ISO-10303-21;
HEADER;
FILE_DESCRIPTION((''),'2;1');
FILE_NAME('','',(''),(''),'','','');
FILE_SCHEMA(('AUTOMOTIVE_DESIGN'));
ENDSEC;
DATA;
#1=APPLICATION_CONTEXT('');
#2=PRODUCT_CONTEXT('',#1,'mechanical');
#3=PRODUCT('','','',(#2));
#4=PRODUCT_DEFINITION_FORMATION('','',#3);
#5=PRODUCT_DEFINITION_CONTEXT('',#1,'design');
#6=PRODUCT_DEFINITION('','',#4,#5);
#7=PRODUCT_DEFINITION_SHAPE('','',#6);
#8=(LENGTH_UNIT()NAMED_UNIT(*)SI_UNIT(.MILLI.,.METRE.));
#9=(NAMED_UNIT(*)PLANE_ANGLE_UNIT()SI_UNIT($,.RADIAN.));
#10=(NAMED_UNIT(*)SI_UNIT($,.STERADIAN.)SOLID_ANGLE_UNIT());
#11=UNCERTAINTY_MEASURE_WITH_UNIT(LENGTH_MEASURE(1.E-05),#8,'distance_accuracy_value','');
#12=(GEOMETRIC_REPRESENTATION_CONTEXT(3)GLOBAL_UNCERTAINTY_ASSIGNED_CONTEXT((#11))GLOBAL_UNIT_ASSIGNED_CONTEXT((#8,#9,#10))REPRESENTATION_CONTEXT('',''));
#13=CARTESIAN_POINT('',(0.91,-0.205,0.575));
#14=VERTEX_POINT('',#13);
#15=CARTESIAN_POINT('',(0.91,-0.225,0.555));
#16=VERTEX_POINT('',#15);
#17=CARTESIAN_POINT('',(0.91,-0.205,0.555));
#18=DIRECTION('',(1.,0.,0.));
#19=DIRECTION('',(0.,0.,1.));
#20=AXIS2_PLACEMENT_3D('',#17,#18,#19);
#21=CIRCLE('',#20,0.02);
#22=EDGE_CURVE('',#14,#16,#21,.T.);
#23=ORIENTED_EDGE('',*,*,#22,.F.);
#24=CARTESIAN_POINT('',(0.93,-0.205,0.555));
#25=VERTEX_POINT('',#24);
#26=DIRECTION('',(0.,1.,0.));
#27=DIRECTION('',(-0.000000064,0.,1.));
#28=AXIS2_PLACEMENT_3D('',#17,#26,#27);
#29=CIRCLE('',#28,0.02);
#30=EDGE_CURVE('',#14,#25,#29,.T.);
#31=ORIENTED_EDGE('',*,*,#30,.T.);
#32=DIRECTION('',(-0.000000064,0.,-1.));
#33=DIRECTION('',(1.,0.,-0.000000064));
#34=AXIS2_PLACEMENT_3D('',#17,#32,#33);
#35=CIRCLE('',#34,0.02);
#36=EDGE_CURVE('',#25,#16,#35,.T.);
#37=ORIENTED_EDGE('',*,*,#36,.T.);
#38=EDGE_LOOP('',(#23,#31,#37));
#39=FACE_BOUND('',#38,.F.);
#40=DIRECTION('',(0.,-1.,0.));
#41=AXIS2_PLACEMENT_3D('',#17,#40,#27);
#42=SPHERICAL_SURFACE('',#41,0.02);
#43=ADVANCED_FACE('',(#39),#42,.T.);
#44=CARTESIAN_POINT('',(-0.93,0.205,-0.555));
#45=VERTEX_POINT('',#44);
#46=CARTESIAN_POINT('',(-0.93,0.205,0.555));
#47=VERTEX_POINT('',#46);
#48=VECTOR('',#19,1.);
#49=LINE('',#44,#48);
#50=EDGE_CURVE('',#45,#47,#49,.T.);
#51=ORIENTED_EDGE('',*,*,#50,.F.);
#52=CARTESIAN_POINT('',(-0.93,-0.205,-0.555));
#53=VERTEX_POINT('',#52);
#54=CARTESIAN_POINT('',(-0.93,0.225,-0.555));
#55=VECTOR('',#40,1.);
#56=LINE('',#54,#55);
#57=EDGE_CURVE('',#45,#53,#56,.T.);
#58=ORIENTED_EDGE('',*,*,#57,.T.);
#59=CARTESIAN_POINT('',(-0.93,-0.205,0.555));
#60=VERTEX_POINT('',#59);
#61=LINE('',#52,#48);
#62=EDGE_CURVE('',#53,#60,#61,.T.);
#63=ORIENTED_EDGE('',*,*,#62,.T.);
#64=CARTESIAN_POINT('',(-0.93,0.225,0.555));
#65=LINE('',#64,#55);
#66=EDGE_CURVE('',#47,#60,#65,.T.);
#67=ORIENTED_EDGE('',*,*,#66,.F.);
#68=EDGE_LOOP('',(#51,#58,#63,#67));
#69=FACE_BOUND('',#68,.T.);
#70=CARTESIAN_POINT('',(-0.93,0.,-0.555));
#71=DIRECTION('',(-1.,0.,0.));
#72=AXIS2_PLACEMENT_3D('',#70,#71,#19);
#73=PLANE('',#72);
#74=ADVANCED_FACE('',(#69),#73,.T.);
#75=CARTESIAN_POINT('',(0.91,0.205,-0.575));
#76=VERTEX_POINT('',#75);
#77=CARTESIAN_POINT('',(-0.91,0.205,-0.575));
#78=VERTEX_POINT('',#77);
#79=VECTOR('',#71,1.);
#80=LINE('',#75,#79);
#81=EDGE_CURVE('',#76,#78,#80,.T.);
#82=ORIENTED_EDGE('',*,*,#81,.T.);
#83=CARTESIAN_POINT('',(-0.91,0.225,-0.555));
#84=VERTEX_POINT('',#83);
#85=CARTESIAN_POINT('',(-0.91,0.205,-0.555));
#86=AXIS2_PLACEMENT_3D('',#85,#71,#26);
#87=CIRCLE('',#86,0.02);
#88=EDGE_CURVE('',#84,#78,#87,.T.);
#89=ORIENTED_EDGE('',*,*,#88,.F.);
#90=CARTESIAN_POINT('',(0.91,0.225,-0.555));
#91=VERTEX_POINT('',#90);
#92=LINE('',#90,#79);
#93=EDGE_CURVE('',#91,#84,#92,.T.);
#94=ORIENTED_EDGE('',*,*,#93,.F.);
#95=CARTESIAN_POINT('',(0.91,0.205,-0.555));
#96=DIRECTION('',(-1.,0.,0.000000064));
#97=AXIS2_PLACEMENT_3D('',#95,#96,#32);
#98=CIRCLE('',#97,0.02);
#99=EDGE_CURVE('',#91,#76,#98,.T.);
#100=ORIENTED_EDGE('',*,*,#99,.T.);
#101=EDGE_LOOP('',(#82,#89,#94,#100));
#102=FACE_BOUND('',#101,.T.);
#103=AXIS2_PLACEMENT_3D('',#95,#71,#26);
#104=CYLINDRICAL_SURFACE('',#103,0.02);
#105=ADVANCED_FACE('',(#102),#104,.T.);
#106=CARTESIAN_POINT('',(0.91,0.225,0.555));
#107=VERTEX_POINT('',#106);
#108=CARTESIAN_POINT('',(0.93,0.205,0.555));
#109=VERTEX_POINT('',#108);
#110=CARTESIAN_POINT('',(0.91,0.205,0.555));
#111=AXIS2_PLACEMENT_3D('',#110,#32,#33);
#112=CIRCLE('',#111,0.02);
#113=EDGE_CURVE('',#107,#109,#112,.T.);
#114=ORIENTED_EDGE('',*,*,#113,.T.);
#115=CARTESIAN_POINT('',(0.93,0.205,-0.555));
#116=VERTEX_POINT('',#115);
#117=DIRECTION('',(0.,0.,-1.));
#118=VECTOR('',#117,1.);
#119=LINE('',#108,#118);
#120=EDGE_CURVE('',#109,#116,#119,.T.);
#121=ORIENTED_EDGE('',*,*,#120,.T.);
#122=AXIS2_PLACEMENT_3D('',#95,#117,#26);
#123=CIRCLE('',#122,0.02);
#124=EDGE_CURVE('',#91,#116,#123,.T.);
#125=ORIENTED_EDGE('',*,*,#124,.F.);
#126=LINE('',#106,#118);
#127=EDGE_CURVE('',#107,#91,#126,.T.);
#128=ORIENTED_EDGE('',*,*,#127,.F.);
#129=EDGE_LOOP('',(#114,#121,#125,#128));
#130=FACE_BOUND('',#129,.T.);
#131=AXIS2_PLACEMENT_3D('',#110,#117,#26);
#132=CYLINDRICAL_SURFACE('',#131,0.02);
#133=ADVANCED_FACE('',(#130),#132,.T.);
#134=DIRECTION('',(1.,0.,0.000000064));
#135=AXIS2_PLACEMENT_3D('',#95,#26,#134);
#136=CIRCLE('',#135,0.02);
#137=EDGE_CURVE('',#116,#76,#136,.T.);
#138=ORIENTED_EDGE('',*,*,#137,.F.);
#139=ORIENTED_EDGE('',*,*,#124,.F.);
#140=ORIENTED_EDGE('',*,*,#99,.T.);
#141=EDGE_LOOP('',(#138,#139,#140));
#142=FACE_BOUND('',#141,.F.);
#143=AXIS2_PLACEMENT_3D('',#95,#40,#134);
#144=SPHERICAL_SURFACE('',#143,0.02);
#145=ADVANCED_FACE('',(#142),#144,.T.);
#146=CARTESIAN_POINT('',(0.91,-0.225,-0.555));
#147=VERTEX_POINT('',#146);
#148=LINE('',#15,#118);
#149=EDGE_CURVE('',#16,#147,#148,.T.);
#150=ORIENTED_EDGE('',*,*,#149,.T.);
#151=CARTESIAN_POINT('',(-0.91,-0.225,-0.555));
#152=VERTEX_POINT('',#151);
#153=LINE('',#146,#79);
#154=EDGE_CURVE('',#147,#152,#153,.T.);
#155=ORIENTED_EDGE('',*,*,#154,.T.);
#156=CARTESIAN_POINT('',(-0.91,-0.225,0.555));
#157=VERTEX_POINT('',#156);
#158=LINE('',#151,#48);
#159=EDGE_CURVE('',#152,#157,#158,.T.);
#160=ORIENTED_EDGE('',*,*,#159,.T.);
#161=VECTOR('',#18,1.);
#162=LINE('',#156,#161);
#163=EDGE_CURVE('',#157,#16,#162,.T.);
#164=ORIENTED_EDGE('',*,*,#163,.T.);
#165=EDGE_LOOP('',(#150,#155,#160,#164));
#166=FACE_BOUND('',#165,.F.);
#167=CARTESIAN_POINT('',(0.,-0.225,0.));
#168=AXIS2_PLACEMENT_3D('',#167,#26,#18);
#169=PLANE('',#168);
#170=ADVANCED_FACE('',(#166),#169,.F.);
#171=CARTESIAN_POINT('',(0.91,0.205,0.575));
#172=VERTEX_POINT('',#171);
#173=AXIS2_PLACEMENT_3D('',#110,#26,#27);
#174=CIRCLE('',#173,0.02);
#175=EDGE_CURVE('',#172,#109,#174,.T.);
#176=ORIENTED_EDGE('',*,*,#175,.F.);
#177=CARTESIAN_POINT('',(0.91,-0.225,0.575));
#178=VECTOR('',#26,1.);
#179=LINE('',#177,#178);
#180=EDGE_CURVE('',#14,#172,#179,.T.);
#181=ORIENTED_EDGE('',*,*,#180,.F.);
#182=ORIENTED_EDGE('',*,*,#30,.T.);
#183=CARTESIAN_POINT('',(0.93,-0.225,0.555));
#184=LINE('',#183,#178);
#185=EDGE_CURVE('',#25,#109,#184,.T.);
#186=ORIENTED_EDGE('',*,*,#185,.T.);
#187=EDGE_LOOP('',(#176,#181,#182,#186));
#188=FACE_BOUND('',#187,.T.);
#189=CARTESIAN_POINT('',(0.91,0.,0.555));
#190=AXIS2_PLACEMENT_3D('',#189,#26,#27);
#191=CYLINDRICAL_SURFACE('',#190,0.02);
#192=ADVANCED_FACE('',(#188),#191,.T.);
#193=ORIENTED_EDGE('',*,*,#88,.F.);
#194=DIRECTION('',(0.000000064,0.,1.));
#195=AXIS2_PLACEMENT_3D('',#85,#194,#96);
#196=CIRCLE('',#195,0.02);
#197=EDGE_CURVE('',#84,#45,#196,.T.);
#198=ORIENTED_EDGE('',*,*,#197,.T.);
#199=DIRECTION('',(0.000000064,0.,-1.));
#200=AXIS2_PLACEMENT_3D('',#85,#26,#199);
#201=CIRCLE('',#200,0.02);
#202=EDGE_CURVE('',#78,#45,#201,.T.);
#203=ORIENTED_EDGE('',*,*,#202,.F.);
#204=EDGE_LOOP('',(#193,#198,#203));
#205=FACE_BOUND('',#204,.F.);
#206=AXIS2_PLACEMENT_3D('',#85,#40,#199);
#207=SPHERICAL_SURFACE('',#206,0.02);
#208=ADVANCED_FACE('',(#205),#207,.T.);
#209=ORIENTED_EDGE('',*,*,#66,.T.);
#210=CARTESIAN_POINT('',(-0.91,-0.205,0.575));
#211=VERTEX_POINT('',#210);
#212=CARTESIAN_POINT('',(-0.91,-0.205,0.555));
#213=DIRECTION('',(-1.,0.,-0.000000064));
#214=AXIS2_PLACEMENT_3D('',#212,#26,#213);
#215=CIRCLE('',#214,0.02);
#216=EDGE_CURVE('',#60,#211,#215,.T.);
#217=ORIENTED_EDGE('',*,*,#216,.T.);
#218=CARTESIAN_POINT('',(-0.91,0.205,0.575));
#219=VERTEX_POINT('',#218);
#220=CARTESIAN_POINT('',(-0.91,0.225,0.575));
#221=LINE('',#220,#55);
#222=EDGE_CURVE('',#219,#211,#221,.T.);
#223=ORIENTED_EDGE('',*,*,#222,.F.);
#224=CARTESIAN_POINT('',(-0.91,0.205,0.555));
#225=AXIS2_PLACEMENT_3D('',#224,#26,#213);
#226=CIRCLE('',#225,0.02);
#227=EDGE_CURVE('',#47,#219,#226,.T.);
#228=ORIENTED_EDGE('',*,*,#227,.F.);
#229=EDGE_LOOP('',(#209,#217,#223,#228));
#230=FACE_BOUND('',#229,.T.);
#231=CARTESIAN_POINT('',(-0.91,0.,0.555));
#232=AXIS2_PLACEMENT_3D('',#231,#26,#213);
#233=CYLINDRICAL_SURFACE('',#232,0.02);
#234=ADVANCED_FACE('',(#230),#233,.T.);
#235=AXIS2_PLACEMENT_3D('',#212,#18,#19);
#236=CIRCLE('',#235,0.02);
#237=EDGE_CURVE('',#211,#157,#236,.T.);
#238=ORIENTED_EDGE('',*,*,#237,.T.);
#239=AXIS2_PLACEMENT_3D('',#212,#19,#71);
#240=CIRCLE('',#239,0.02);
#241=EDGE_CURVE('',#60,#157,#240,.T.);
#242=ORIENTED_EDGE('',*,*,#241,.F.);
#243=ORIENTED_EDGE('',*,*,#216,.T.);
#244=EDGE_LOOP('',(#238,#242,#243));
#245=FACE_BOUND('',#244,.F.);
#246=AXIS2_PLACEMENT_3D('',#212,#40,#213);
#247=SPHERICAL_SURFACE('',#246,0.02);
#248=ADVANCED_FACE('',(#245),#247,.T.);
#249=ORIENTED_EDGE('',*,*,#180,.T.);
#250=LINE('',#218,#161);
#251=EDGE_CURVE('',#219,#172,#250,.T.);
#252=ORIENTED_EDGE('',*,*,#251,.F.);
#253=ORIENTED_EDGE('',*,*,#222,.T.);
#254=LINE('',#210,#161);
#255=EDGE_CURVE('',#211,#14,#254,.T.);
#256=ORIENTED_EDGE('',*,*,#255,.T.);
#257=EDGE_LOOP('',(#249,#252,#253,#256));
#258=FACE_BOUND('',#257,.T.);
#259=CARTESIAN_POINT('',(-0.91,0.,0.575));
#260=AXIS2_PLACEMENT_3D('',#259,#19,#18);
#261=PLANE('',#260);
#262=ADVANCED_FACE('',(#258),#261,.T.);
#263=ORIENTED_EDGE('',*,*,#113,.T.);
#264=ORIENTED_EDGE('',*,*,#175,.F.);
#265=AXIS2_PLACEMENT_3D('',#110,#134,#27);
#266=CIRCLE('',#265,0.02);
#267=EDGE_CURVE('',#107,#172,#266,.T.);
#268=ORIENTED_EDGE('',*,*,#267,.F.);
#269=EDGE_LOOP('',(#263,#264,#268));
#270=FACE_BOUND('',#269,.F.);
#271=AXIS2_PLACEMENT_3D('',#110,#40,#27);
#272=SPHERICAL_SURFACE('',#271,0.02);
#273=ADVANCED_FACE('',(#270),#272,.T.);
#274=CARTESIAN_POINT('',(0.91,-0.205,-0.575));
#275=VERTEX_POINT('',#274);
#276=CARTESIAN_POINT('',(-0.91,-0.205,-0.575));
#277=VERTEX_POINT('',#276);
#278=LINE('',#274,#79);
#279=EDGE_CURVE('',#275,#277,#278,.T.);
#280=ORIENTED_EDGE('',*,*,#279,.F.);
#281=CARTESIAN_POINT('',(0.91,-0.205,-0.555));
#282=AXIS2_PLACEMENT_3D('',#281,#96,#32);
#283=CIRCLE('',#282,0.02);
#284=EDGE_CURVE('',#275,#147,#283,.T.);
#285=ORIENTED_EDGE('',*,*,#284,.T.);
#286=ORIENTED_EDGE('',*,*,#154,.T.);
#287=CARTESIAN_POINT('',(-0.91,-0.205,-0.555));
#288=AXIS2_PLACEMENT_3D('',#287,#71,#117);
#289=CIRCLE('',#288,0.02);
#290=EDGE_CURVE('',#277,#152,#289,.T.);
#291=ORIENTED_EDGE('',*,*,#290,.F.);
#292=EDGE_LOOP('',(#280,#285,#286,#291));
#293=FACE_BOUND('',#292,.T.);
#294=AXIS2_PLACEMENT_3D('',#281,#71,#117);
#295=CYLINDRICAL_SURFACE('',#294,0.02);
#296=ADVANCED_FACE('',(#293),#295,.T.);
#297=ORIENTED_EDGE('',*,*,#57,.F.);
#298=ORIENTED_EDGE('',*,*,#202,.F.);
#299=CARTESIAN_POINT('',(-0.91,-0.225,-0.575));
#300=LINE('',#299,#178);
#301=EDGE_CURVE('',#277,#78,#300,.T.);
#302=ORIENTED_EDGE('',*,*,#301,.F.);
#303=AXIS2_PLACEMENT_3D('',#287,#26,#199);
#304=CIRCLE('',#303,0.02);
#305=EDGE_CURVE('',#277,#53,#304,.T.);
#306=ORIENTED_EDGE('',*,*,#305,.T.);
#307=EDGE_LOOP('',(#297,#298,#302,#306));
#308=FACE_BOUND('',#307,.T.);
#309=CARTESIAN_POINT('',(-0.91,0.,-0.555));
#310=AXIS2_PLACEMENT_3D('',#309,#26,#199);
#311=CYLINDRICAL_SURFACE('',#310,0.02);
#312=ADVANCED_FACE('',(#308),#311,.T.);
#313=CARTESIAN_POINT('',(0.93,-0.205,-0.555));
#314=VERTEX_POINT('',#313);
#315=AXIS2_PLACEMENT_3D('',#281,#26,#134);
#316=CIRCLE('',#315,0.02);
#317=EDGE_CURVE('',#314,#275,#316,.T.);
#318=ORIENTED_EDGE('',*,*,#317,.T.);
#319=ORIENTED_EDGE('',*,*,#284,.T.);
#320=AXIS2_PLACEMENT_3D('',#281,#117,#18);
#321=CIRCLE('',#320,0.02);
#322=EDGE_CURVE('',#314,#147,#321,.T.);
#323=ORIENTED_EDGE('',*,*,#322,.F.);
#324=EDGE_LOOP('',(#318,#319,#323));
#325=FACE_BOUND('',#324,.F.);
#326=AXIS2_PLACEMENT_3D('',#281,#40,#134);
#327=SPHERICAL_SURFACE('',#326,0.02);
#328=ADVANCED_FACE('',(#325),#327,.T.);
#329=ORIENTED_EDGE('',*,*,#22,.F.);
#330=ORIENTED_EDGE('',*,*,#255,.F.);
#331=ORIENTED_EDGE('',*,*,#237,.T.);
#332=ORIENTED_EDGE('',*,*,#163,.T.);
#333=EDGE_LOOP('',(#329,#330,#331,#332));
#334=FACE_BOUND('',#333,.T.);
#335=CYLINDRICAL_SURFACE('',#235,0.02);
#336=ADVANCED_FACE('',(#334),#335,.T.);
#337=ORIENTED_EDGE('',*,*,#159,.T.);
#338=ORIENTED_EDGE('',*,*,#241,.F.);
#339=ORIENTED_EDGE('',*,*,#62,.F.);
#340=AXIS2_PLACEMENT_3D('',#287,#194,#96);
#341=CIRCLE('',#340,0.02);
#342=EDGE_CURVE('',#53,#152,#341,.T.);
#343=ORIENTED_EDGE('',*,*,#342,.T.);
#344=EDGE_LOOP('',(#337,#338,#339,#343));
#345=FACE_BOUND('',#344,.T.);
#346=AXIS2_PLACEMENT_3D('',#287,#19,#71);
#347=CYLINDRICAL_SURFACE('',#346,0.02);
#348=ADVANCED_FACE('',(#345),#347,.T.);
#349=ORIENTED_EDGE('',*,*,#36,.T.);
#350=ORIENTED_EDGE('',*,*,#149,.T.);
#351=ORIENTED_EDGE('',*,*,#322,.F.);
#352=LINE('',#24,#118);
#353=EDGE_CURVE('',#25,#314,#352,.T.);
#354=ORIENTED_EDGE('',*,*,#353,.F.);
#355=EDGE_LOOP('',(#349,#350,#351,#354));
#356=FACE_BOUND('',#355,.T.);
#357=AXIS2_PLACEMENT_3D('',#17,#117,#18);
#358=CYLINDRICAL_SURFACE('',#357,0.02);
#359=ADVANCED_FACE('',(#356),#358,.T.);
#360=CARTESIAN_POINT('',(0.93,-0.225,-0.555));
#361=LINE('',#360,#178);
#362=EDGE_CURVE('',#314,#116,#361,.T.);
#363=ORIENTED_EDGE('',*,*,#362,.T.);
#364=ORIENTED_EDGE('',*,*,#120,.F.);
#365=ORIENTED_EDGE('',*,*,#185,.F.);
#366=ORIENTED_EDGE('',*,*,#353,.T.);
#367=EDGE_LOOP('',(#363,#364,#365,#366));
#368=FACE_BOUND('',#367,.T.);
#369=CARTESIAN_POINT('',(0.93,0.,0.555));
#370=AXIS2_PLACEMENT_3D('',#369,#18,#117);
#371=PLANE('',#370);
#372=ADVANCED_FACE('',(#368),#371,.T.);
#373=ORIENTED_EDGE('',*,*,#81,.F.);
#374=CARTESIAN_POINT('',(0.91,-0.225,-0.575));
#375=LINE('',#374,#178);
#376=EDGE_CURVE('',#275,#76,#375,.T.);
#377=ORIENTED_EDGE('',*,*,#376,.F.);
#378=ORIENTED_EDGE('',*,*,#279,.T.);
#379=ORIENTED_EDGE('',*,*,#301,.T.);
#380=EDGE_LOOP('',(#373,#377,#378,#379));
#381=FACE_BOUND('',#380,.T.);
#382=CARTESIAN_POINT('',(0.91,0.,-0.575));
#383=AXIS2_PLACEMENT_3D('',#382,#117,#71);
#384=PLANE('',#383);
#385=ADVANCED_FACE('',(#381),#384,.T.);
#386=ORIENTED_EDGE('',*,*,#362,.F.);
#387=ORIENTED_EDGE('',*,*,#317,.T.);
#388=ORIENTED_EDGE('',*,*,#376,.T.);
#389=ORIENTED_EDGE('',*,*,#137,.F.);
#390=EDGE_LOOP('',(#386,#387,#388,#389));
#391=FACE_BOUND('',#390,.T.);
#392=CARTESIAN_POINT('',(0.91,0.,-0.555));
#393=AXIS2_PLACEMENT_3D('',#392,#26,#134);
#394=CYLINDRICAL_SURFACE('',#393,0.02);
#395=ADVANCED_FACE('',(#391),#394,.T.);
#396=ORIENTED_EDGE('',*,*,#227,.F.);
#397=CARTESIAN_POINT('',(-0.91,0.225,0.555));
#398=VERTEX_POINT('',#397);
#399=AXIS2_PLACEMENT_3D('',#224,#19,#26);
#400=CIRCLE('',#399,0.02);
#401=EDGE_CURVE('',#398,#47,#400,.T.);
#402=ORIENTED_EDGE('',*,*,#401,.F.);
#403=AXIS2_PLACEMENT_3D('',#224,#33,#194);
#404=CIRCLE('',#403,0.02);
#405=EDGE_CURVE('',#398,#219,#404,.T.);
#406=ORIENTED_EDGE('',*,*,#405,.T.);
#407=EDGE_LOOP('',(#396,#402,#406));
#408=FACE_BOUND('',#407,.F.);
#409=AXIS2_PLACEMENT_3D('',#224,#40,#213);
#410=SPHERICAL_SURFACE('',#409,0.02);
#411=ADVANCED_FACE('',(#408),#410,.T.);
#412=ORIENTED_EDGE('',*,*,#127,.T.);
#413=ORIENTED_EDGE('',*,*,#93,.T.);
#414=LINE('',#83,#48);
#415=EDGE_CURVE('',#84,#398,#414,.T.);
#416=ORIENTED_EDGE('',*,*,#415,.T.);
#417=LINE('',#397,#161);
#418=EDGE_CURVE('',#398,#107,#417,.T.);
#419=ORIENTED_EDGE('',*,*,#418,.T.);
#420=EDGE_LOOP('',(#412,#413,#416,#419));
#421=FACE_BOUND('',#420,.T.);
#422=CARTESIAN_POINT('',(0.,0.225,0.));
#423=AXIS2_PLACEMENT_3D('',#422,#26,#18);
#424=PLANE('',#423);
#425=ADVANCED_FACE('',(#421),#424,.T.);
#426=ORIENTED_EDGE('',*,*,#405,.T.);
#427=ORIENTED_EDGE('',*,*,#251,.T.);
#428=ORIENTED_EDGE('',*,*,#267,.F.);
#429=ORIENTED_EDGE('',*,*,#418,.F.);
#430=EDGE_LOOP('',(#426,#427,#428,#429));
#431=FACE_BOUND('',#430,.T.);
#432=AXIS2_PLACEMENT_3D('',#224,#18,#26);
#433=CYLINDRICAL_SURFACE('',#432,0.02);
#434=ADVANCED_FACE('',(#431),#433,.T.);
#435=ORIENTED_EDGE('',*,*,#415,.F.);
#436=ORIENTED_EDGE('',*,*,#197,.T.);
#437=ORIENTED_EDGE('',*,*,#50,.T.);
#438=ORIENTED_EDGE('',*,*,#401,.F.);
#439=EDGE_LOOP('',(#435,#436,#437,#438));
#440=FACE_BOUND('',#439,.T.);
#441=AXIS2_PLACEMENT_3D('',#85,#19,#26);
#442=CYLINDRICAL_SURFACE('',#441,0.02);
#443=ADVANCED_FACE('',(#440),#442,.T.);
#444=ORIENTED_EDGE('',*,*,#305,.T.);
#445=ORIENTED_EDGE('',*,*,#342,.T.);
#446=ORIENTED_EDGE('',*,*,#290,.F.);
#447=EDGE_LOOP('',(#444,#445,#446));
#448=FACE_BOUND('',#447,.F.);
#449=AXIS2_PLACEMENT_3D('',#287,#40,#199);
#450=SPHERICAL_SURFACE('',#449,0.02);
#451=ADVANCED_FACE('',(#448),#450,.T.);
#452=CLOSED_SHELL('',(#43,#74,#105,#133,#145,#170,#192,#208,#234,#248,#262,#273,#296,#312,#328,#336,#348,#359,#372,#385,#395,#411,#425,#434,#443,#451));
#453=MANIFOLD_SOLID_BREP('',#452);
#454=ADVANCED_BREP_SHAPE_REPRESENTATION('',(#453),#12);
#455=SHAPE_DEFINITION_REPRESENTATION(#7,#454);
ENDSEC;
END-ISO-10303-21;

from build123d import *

# Parameters (mm, degrees)
BOSS_EXTRUDE1_DEPTH = 0.225
FILLET2_R           = 0.02


with BuildPart() as part:
    # Sketch1 → Boss-Extrude1 (new, symmetric)
    with BuildSketch(Plane(origin=(0, 0, 0), x_dir=(1, 0, 0), z_dir=(0, 1, 0))):
        with BuildLine():
            Line((-0.91, -0.575), (0.91, -0.575))
            ThreePointArc((0.91, -0.575), (0.924142136, -0.569142136), (0.93, -0.555))
            Line((0.93, -0.555), (0.93, 0.555))
            ThreePointArc((0.93, 0.555), (0.924142136, 0.569142136), (0.91, 0.575))
            Line((0.91, 0.575), (-0.91, 0.575))
            ThreePointArc((-0.91, 0.575), (-0.924142136, 0.569142136), (-0.93, 0.555))
            Line((-0.93, 0.555), (-0.93, -0.555))
            ThreePointArc((-0.93, -0.555), (-0.924142136, -0.569142136), (-0.91, -0.575))
        make_face()
    extrude(amount=BOSS_EXTRUDE1_DEPTH, both=True)

    # Fillet2
    fillet2_edges = [part.edges().sort_by_distance(p)[0] for p in [
        (0.924142136, 0.225, 0.569142136),
        (0, -0.225, 0.575),
        (-0.924142136, -0.225, 0.569142136),
        (0.93, 0.225, 0),
        (0.924142136, 0.225, -0.569142136),
        (0, 0.225, -0.575),
        (-0.924142136, 0.225, -0.569142136),
        (-0.93, 0.225, 0),
        (0, 0.225, 0.575),
        (0, 0.225, -0.575),
        (0, 0.225, -0.575),
        (0, 0.225, 0.575),
        (0, -0.225, 0.575),
        (0, -0.225, 0.575),
        (0, -0.225, -0.575),
        (0, -0.225, -0.575),
        (-0.924142136, 0.225, 0.569142136),
        (0, 0.225, 0.575),
        (-0.93, -0.225, 0),
        (-0.924142136, -0.225, -0.569142136),
        (0, -0.225, -0.575),
        (0.924142136, -0.225, -0.569142136),
        (0.93, -0.225, 0),
        (0.924142136, -0.225, 0.569142136),
    ]]
    fillet(fillet2_edges, radius=FILLET2_R)


solid = part.part
